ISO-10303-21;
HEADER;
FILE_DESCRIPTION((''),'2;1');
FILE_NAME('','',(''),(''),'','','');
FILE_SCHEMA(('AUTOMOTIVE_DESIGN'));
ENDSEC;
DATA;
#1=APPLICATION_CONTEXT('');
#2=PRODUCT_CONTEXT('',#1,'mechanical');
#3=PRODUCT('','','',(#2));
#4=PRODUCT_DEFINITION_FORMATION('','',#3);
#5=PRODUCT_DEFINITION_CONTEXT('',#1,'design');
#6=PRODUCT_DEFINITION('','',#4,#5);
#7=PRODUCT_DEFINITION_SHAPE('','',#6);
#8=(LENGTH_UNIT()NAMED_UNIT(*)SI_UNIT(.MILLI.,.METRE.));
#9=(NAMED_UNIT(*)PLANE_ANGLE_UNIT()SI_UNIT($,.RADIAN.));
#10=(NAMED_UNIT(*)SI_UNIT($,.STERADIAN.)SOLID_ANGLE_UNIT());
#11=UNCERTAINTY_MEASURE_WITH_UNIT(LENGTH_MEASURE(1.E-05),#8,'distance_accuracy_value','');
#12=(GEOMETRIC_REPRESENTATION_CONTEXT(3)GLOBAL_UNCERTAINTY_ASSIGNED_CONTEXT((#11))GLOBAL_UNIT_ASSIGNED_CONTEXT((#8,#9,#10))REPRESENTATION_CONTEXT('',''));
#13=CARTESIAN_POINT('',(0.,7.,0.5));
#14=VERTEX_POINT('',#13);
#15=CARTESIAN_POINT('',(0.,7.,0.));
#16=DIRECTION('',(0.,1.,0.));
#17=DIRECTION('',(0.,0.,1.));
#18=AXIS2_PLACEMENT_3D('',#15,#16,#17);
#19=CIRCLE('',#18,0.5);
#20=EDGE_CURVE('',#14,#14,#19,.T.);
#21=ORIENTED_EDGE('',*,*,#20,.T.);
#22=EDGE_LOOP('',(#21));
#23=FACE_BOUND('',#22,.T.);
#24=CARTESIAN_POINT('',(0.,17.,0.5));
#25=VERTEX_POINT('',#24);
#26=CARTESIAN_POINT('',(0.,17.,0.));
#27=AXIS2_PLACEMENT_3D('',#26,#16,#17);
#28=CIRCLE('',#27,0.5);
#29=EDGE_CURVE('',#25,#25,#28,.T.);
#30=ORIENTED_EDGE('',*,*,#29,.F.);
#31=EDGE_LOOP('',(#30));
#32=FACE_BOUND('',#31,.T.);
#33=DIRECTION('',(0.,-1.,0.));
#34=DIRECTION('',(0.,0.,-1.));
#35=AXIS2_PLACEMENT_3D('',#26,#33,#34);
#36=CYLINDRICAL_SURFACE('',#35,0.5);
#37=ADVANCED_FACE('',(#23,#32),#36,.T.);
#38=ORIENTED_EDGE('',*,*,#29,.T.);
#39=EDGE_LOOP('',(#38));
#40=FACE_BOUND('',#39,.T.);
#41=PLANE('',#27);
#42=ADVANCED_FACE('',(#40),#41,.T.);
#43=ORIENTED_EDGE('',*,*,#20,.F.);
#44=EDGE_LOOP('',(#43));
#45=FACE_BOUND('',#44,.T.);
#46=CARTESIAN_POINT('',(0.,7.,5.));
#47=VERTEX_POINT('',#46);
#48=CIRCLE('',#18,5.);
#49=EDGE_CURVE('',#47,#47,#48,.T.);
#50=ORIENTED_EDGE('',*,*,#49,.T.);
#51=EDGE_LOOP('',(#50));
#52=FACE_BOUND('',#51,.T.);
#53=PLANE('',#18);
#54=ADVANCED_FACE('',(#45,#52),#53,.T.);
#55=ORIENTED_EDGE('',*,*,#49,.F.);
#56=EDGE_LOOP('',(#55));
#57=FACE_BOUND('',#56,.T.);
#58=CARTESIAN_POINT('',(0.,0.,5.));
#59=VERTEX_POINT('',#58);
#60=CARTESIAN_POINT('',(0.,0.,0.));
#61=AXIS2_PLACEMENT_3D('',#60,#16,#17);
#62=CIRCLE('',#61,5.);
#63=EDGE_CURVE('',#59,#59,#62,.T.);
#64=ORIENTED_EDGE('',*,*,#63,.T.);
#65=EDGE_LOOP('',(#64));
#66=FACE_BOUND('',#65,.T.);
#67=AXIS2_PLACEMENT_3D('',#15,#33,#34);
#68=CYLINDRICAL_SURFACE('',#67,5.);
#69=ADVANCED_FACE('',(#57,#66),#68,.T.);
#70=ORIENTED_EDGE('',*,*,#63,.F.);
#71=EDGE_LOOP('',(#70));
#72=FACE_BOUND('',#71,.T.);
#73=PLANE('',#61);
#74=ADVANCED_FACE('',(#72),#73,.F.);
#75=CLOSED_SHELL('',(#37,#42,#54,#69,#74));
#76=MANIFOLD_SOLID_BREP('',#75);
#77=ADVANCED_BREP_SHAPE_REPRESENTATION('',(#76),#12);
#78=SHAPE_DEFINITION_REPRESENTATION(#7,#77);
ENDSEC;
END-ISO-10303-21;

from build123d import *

# Parameters (mm, degrees)
SKETCH1_R           = 5
BOSS_EXTRUDE1_DEPTH = 7
SKETCH2_R           = 0.5
BOSS_EXTRUDE2_DEPTH = 10


with BuildPart() as part:
    # Sketch1 → Boss-Extrude1 (new body)
    with BuildSketch(Plane(origin=(0, 0, 0), x_dir=(1, 0, 0), z_dir=(0, 1, 0))):
        with Locations(Location((0, 0, 0), (0, 0, 270))):
            Circle(SKETCH1_R)
    extrude(amount=BOSS_EXTRUDE1_DEPTH)

    # Sketch2 → Boss-Extrude2 (add)
    with BuildSketch(Plane(origin=(0, 7, 0), x_dir=(-1, 0, 0), z_dir=(0, 1, 0))):
        with Locations(Location((0, 0, 0), (0, 0, 90))):
            Circle(SKETCH2_R)
    extrude(amount=BOSS_EXTRUDE2_DEPTH)


solid = part.part
